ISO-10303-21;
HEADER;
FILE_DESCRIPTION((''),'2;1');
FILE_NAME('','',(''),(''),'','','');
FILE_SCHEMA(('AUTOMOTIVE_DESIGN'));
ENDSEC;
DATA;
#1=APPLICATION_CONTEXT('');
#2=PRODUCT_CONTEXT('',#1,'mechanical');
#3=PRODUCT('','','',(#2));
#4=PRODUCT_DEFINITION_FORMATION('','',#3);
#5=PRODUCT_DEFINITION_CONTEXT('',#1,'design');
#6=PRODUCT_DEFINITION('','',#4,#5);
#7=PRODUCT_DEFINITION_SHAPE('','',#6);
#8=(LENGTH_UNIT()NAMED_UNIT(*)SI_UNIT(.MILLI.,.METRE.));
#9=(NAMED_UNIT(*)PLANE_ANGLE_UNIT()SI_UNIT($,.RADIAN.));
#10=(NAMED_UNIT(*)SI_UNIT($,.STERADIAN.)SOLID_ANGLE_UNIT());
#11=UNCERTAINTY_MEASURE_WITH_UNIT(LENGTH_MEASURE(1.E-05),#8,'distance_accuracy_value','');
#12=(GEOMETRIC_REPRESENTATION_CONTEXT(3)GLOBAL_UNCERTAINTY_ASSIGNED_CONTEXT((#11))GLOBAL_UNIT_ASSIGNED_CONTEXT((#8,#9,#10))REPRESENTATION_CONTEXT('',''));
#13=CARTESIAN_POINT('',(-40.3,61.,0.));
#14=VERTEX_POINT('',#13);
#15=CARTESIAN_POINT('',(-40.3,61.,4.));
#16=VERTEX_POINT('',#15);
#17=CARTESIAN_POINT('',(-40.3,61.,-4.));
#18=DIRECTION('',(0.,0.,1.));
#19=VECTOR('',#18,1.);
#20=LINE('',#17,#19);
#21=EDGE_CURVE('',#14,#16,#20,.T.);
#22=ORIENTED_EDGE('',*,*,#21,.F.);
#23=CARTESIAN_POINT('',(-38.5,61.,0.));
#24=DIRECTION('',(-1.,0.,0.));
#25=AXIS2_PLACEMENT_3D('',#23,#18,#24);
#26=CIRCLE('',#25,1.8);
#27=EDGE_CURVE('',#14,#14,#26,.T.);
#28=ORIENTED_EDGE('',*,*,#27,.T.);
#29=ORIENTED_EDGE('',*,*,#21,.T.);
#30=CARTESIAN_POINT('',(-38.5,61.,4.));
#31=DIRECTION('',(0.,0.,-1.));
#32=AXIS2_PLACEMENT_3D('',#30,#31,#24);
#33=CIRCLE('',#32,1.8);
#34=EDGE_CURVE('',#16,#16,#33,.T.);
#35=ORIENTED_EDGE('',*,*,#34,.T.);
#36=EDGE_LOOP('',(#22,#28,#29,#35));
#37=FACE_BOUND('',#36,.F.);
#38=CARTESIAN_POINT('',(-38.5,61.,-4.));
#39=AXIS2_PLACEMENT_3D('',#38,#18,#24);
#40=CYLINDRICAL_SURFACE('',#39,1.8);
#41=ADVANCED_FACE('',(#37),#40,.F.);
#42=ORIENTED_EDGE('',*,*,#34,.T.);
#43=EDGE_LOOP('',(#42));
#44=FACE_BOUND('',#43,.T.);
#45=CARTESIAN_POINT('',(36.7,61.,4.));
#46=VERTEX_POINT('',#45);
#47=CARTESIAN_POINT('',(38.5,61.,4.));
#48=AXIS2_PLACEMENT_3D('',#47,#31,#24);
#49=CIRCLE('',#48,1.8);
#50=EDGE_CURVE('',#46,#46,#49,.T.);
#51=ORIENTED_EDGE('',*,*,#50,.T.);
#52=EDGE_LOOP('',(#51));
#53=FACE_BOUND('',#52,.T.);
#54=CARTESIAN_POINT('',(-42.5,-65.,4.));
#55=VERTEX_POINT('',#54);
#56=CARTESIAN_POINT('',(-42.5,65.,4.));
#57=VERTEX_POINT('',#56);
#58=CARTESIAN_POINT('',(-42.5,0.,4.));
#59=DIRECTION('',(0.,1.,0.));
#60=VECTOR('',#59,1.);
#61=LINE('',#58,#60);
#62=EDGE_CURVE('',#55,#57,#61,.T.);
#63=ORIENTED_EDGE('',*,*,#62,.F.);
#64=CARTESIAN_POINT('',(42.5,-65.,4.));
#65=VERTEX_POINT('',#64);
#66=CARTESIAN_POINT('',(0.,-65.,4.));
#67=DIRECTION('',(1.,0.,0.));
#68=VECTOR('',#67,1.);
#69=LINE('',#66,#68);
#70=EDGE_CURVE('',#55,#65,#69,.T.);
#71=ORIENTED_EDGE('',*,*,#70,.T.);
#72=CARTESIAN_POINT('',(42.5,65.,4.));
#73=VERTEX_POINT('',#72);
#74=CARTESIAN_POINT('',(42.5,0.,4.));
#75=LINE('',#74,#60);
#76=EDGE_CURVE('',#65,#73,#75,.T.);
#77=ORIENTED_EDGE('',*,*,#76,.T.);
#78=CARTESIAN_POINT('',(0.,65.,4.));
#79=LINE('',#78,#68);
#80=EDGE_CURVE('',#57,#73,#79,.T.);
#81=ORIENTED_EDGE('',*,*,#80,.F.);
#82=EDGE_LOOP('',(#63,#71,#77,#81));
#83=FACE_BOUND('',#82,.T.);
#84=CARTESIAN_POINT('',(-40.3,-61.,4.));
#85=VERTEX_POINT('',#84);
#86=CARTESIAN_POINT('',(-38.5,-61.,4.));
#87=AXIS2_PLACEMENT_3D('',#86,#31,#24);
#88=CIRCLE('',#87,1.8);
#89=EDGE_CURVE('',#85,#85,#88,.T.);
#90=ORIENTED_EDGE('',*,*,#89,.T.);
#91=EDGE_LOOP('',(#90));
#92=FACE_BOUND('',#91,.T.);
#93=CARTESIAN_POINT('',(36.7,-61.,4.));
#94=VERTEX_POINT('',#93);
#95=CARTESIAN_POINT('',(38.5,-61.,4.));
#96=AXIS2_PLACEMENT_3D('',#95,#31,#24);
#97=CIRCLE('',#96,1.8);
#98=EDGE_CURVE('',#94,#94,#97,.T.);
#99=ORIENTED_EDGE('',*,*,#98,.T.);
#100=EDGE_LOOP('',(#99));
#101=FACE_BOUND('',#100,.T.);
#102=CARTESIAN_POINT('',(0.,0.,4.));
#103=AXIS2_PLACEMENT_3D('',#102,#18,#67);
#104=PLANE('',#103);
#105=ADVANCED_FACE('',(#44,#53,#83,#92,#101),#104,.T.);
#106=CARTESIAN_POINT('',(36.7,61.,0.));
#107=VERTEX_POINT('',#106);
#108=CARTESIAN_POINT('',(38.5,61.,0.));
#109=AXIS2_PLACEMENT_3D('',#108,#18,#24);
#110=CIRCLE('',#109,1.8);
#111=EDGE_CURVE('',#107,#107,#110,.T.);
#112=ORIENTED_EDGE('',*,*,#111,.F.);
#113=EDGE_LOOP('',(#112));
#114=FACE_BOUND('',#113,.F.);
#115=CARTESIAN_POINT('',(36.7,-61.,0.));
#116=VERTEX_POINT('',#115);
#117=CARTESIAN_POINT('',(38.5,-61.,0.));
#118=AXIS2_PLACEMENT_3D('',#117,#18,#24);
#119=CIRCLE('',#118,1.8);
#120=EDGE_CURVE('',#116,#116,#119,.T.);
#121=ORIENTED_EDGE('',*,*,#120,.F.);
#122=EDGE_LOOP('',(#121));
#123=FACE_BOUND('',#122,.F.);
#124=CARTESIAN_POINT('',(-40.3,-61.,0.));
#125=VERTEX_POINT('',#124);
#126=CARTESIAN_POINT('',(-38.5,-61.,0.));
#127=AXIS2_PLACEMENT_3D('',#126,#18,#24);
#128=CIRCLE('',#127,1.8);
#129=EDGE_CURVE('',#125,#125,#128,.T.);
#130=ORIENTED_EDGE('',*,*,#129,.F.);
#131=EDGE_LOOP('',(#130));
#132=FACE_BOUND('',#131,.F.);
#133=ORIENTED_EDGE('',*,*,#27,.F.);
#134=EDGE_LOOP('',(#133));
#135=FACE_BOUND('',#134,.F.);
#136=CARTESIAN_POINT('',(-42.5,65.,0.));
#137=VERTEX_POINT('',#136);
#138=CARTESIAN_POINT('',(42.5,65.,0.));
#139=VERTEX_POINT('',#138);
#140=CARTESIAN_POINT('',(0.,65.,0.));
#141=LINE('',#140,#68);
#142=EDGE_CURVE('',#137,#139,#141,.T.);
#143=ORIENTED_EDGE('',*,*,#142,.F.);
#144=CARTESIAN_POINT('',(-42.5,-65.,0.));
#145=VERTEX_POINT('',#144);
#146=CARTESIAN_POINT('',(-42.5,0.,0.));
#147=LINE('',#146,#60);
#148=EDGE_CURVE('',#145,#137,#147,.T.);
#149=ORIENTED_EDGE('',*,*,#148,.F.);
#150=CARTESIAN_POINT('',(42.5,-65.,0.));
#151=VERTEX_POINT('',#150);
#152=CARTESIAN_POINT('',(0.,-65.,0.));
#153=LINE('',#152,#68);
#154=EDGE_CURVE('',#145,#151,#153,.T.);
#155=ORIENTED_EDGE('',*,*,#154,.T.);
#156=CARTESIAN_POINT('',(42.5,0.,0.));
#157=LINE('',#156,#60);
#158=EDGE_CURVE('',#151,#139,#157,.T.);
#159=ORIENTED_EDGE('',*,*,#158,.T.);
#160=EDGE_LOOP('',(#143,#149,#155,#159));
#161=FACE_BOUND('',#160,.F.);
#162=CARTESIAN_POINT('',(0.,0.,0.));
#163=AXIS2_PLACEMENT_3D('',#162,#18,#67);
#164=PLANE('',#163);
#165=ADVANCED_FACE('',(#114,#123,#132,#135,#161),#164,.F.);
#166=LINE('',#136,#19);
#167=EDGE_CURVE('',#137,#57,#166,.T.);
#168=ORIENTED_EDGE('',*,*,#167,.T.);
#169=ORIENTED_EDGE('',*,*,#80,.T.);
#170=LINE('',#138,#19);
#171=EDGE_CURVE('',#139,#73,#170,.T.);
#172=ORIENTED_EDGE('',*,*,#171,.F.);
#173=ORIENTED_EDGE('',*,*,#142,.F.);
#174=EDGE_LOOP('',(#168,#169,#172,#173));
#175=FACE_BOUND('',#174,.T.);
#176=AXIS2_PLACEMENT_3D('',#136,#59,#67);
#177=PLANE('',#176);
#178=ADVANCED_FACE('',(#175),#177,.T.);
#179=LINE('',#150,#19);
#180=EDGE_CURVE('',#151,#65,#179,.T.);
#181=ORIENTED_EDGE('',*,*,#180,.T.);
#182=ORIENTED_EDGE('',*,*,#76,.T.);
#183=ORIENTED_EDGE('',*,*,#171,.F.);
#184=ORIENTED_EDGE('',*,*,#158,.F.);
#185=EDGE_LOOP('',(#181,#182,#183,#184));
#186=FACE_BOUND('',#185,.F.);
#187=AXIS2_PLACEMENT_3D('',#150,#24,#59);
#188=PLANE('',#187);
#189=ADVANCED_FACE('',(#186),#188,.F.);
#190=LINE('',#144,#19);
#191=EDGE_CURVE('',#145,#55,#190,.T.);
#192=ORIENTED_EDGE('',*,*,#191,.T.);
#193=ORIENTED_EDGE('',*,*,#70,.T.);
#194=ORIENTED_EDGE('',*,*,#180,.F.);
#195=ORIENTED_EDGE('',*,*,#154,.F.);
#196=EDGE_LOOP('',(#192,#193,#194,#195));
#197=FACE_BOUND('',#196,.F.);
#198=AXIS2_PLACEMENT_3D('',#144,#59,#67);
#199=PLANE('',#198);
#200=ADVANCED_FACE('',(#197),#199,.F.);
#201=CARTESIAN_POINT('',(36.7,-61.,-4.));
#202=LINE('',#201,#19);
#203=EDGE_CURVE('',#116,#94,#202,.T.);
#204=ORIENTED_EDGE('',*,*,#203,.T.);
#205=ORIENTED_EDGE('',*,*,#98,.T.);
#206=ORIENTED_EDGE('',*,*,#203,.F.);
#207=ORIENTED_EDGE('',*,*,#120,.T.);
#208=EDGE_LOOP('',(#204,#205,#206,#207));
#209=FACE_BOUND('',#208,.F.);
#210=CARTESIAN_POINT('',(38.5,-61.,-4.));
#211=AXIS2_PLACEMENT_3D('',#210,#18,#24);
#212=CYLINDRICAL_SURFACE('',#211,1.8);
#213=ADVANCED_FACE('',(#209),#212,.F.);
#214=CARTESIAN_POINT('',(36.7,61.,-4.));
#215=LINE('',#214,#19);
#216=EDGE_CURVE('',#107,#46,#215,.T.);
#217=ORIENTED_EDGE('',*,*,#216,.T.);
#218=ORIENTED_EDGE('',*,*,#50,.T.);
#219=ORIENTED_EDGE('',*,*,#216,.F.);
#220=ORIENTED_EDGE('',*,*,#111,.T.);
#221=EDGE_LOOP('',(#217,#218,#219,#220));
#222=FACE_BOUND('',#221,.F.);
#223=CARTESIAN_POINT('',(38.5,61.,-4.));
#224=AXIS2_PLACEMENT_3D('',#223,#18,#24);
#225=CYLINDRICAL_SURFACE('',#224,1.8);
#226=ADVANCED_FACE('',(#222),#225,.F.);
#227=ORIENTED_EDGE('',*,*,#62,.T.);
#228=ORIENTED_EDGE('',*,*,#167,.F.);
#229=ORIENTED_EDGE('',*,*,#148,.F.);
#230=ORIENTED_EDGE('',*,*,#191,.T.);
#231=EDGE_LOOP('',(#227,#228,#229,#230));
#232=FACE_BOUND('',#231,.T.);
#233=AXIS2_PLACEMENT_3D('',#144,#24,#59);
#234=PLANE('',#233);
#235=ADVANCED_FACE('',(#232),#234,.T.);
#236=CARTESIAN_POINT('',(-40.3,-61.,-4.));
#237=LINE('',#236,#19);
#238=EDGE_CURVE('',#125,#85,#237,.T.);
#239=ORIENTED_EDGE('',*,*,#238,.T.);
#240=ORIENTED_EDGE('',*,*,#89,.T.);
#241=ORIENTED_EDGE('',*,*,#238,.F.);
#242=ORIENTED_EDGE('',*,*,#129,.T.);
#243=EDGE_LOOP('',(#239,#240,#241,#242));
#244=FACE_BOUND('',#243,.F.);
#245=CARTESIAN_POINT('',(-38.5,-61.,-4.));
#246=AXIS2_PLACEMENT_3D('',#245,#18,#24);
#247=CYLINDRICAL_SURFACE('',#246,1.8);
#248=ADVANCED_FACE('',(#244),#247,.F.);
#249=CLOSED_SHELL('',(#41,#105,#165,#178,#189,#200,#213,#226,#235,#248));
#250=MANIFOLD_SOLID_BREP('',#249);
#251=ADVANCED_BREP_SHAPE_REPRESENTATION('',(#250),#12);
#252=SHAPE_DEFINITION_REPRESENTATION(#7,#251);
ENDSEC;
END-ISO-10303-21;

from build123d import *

# Parameters (mm, degrees)
F2_W     = 85
F2_H     = 130
F3_DEPTH = 4
F4_D     = 3.6
F4_DEPTH = 4
F4_TIP   = 1.0815491142


with BuildPart() as f3:
    # F2 (on Top) → F3 (new body)
    with BuildSketch(Plane.XY):
        Rectangle(F2_W, F2_H)
    extrude(amount=F3_DEPTH)

    # F4
    with Locations(Plane(origin=(0, 0, 0), x_dir=(1, 0, 0), z_dir=(0, 0, -1))):
        with Locations((38.5, -61), (38.5, 61), (-38.5, 61), (-38.5, -61)):
            Hole(F4_D / 2, depth=F4_DEPTH)
            with Locations((0, 0, -(F4_DEPTH + F4_TIP / 2))):  # 118° drill point
                Cone(0, F4_D / 2, F4_TIP, mode=Mode.SUBTRACT)


solid = f3.part
